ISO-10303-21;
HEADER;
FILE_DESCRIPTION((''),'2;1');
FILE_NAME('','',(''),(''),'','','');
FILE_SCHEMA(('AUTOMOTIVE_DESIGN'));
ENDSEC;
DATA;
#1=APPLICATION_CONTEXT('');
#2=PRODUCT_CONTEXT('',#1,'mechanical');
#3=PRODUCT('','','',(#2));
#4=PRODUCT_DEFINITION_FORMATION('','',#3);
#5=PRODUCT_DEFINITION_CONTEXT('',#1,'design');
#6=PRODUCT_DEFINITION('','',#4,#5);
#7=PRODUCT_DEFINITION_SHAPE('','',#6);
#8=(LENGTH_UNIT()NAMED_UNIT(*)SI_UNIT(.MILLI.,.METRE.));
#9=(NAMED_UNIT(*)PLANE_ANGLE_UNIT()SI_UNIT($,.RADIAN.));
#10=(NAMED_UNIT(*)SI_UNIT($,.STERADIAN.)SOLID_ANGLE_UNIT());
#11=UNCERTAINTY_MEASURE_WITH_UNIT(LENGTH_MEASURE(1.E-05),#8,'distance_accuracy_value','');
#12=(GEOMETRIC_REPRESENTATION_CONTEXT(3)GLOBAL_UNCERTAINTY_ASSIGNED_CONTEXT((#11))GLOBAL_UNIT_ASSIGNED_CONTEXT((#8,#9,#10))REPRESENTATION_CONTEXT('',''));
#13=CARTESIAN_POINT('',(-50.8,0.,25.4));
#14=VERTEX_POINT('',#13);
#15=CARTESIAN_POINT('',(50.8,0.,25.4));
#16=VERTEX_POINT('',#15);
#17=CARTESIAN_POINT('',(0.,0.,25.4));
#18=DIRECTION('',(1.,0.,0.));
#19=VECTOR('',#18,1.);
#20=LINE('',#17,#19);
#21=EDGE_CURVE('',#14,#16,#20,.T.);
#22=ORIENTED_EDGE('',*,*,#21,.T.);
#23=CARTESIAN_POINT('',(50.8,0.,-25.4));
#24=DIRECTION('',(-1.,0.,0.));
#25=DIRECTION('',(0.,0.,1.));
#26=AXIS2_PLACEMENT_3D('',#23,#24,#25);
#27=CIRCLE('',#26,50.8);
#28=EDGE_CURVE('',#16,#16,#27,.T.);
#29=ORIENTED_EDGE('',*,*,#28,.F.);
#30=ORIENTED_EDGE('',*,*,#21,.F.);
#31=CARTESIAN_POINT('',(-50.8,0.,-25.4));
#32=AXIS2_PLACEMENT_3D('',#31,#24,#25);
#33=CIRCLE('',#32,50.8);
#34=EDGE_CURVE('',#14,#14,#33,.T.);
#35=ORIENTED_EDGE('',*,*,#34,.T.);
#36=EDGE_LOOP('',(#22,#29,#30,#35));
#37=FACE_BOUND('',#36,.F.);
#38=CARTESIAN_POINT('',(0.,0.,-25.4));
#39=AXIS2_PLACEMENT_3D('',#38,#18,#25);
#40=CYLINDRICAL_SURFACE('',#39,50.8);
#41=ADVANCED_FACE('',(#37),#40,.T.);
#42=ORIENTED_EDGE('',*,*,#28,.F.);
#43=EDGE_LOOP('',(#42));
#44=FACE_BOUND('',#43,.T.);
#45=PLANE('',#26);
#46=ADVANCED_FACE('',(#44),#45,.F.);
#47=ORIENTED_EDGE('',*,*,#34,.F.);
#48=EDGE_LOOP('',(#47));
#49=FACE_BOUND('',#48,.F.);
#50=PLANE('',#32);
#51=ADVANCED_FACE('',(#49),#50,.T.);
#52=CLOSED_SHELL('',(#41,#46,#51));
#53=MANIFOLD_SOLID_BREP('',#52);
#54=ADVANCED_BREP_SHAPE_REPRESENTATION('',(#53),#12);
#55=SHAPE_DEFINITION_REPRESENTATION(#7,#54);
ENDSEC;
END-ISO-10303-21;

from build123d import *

# Parameters (mm, degrees)
F0_W = 101.6
F0_H = 50.8


with BuildPart() as f1:
    # F0 (on Front) → F1 (revolve)
    with BuildSketch(Plane.XZ):
        Rectangle(F0_W, F0_H)
    revolve(axis=Axis((0, 0, -25.4), (-1, 0, 0)))


solid = f1.part
